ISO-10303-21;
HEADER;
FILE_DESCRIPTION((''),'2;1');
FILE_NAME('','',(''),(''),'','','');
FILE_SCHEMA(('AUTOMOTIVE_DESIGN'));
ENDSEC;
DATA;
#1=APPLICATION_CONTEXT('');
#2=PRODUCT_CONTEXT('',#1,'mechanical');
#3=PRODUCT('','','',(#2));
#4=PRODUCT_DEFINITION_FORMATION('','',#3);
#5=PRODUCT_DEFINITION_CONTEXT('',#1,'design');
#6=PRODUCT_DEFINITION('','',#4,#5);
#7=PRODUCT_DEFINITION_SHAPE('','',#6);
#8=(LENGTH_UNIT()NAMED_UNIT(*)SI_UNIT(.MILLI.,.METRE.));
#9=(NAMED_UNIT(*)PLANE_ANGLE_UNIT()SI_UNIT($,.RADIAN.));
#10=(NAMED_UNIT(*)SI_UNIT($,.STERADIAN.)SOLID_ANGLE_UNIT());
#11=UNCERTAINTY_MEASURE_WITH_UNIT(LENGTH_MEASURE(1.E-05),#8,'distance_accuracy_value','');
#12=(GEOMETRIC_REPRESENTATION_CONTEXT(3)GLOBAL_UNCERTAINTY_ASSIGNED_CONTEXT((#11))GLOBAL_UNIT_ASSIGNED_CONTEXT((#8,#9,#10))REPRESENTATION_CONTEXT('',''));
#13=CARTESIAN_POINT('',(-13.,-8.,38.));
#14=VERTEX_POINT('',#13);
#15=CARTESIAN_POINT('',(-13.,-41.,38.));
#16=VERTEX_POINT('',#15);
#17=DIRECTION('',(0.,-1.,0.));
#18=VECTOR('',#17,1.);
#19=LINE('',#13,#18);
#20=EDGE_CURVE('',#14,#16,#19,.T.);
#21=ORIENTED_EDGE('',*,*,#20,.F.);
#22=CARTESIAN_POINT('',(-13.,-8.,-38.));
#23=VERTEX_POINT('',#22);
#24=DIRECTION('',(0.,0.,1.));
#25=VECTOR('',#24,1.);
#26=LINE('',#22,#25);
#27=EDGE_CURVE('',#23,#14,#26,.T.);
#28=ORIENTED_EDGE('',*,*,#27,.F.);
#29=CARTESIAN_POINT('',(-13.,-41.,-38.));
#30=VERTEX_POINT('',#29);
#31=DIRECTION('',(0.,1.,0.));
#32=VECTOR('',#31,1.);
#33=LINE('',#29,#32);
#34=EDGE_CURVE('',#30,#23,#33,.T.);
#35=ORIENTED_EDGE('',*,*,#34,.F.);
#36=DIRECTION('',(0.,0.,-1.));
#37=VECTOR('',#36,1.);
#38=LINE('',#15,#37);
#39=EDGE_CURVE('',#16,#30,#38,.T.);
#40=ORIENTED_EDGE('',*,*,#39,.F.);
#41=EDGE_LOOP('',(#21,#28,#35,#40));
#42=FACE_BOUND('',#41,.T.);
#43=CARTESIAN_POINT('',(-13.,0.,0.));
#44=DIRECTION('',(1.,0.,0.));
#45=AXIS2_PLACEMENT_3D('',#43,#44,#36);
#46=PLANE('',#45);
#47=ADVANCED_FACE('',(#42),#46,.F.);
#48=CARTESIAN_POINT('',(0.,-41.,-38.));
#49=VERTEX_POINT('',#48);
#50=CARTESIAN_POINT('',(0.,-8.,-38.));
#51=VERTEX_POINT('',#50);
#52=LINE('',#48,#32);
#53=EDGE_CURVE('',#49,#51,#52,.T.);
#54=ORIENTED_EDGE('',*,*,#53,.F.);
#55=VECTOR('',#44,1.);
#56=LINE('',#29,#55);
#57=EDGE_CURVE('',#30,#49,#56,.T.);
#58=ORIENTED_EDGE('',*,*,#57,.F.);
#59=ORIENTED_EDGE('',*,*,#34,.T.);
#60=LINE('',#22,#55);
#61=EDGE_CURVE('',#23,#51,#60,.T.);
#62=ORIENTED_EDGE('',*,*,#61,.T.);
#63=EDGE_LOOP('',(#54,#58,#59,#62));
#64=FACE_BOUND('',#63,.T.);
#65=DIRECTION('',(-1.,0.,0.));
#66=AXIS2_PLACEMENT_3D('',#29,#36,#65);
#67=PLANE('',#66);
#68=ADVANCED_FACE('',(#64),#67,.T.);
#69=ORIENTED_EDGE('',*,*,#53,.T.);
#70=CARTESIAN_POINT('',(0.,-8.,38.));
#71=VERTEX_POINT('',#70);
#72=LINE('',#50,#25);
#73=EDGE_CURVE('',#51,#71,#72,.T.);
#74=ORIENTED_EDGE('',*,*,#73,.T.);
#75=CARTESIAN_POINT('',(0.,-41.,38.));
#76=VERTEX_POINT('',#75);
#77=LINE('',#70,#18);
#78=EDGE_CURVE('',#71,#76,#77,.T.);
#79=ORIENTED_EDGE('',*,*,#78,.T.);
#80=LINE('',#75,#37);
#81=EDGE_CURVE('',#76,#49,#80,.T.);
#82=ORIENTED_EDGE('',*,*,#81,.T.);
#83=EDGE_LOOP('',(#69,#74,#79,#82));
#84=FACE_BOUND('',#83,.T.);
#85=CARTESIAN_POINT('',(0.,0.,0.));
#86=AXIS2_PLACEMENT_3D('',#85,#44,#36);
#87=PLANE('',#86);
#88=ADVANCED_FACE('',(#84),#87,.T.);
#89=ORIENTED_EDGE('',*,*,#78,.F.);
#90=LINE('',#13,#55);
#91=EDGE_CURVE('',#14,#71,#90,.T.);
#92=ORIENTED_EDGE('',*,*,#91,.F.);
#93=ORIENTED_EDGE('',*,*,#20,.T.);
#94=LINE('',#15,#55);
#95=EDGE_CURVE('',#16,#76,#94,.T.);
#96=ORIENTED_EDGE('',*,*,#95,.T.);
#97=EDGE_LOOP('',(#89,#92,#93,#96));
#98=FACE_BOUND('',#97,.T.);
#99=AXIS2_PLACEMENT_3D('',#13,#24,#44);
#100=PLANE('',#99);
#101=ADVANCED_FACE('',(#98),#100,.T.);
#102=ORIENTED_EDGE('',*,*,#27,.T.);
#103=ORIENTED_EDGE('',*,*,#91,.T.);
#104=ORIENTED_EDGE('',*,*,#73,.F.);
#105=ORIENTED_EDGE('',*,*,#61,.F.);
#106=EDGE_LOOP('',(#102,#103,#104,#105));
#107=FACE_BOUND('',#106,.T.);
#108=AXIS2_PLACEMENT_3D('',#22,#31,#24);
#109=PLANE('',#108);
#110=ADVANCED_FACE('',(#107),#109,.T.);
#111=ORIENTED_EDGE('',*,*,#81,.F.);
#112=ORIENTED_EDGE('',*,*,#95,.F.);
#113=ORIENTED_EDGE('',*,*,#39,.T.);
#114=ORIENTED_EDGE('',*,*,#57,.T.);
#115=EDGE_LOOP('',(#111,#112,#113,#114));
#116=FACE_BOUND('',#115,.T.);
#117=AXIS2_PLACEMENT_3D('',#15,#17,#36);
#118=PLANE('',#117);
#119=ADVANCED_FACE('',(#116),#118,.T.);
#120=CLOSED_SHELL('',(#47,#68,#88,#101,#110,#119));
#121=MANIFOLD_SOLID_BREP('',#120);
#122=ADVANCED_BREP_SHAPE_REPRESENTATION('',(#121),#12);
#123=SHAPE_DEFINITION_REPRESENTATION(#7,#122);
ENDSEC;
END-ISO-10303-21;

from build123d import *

# Parameters (mm, degrees)
CASE_SKETCH_W = 76
CASE_SKETCH_H = 33
CASE_2_DEPTH  = 13


with BuildPart() as part:
    # Case Sketch → Case 2 (new body)
    with BuildSketch(Plane(origin=(0, 0, 0), x_dir=(0, 0, -1), z_dir=(1, 0, 0))):
        with Locations((0, -24.5)):
            Rectangle(CASE_SKETCH_W, CASE_SKETCH_H)
    extrude(amount=-CASE_2_DEPTH)


solid = part.part
